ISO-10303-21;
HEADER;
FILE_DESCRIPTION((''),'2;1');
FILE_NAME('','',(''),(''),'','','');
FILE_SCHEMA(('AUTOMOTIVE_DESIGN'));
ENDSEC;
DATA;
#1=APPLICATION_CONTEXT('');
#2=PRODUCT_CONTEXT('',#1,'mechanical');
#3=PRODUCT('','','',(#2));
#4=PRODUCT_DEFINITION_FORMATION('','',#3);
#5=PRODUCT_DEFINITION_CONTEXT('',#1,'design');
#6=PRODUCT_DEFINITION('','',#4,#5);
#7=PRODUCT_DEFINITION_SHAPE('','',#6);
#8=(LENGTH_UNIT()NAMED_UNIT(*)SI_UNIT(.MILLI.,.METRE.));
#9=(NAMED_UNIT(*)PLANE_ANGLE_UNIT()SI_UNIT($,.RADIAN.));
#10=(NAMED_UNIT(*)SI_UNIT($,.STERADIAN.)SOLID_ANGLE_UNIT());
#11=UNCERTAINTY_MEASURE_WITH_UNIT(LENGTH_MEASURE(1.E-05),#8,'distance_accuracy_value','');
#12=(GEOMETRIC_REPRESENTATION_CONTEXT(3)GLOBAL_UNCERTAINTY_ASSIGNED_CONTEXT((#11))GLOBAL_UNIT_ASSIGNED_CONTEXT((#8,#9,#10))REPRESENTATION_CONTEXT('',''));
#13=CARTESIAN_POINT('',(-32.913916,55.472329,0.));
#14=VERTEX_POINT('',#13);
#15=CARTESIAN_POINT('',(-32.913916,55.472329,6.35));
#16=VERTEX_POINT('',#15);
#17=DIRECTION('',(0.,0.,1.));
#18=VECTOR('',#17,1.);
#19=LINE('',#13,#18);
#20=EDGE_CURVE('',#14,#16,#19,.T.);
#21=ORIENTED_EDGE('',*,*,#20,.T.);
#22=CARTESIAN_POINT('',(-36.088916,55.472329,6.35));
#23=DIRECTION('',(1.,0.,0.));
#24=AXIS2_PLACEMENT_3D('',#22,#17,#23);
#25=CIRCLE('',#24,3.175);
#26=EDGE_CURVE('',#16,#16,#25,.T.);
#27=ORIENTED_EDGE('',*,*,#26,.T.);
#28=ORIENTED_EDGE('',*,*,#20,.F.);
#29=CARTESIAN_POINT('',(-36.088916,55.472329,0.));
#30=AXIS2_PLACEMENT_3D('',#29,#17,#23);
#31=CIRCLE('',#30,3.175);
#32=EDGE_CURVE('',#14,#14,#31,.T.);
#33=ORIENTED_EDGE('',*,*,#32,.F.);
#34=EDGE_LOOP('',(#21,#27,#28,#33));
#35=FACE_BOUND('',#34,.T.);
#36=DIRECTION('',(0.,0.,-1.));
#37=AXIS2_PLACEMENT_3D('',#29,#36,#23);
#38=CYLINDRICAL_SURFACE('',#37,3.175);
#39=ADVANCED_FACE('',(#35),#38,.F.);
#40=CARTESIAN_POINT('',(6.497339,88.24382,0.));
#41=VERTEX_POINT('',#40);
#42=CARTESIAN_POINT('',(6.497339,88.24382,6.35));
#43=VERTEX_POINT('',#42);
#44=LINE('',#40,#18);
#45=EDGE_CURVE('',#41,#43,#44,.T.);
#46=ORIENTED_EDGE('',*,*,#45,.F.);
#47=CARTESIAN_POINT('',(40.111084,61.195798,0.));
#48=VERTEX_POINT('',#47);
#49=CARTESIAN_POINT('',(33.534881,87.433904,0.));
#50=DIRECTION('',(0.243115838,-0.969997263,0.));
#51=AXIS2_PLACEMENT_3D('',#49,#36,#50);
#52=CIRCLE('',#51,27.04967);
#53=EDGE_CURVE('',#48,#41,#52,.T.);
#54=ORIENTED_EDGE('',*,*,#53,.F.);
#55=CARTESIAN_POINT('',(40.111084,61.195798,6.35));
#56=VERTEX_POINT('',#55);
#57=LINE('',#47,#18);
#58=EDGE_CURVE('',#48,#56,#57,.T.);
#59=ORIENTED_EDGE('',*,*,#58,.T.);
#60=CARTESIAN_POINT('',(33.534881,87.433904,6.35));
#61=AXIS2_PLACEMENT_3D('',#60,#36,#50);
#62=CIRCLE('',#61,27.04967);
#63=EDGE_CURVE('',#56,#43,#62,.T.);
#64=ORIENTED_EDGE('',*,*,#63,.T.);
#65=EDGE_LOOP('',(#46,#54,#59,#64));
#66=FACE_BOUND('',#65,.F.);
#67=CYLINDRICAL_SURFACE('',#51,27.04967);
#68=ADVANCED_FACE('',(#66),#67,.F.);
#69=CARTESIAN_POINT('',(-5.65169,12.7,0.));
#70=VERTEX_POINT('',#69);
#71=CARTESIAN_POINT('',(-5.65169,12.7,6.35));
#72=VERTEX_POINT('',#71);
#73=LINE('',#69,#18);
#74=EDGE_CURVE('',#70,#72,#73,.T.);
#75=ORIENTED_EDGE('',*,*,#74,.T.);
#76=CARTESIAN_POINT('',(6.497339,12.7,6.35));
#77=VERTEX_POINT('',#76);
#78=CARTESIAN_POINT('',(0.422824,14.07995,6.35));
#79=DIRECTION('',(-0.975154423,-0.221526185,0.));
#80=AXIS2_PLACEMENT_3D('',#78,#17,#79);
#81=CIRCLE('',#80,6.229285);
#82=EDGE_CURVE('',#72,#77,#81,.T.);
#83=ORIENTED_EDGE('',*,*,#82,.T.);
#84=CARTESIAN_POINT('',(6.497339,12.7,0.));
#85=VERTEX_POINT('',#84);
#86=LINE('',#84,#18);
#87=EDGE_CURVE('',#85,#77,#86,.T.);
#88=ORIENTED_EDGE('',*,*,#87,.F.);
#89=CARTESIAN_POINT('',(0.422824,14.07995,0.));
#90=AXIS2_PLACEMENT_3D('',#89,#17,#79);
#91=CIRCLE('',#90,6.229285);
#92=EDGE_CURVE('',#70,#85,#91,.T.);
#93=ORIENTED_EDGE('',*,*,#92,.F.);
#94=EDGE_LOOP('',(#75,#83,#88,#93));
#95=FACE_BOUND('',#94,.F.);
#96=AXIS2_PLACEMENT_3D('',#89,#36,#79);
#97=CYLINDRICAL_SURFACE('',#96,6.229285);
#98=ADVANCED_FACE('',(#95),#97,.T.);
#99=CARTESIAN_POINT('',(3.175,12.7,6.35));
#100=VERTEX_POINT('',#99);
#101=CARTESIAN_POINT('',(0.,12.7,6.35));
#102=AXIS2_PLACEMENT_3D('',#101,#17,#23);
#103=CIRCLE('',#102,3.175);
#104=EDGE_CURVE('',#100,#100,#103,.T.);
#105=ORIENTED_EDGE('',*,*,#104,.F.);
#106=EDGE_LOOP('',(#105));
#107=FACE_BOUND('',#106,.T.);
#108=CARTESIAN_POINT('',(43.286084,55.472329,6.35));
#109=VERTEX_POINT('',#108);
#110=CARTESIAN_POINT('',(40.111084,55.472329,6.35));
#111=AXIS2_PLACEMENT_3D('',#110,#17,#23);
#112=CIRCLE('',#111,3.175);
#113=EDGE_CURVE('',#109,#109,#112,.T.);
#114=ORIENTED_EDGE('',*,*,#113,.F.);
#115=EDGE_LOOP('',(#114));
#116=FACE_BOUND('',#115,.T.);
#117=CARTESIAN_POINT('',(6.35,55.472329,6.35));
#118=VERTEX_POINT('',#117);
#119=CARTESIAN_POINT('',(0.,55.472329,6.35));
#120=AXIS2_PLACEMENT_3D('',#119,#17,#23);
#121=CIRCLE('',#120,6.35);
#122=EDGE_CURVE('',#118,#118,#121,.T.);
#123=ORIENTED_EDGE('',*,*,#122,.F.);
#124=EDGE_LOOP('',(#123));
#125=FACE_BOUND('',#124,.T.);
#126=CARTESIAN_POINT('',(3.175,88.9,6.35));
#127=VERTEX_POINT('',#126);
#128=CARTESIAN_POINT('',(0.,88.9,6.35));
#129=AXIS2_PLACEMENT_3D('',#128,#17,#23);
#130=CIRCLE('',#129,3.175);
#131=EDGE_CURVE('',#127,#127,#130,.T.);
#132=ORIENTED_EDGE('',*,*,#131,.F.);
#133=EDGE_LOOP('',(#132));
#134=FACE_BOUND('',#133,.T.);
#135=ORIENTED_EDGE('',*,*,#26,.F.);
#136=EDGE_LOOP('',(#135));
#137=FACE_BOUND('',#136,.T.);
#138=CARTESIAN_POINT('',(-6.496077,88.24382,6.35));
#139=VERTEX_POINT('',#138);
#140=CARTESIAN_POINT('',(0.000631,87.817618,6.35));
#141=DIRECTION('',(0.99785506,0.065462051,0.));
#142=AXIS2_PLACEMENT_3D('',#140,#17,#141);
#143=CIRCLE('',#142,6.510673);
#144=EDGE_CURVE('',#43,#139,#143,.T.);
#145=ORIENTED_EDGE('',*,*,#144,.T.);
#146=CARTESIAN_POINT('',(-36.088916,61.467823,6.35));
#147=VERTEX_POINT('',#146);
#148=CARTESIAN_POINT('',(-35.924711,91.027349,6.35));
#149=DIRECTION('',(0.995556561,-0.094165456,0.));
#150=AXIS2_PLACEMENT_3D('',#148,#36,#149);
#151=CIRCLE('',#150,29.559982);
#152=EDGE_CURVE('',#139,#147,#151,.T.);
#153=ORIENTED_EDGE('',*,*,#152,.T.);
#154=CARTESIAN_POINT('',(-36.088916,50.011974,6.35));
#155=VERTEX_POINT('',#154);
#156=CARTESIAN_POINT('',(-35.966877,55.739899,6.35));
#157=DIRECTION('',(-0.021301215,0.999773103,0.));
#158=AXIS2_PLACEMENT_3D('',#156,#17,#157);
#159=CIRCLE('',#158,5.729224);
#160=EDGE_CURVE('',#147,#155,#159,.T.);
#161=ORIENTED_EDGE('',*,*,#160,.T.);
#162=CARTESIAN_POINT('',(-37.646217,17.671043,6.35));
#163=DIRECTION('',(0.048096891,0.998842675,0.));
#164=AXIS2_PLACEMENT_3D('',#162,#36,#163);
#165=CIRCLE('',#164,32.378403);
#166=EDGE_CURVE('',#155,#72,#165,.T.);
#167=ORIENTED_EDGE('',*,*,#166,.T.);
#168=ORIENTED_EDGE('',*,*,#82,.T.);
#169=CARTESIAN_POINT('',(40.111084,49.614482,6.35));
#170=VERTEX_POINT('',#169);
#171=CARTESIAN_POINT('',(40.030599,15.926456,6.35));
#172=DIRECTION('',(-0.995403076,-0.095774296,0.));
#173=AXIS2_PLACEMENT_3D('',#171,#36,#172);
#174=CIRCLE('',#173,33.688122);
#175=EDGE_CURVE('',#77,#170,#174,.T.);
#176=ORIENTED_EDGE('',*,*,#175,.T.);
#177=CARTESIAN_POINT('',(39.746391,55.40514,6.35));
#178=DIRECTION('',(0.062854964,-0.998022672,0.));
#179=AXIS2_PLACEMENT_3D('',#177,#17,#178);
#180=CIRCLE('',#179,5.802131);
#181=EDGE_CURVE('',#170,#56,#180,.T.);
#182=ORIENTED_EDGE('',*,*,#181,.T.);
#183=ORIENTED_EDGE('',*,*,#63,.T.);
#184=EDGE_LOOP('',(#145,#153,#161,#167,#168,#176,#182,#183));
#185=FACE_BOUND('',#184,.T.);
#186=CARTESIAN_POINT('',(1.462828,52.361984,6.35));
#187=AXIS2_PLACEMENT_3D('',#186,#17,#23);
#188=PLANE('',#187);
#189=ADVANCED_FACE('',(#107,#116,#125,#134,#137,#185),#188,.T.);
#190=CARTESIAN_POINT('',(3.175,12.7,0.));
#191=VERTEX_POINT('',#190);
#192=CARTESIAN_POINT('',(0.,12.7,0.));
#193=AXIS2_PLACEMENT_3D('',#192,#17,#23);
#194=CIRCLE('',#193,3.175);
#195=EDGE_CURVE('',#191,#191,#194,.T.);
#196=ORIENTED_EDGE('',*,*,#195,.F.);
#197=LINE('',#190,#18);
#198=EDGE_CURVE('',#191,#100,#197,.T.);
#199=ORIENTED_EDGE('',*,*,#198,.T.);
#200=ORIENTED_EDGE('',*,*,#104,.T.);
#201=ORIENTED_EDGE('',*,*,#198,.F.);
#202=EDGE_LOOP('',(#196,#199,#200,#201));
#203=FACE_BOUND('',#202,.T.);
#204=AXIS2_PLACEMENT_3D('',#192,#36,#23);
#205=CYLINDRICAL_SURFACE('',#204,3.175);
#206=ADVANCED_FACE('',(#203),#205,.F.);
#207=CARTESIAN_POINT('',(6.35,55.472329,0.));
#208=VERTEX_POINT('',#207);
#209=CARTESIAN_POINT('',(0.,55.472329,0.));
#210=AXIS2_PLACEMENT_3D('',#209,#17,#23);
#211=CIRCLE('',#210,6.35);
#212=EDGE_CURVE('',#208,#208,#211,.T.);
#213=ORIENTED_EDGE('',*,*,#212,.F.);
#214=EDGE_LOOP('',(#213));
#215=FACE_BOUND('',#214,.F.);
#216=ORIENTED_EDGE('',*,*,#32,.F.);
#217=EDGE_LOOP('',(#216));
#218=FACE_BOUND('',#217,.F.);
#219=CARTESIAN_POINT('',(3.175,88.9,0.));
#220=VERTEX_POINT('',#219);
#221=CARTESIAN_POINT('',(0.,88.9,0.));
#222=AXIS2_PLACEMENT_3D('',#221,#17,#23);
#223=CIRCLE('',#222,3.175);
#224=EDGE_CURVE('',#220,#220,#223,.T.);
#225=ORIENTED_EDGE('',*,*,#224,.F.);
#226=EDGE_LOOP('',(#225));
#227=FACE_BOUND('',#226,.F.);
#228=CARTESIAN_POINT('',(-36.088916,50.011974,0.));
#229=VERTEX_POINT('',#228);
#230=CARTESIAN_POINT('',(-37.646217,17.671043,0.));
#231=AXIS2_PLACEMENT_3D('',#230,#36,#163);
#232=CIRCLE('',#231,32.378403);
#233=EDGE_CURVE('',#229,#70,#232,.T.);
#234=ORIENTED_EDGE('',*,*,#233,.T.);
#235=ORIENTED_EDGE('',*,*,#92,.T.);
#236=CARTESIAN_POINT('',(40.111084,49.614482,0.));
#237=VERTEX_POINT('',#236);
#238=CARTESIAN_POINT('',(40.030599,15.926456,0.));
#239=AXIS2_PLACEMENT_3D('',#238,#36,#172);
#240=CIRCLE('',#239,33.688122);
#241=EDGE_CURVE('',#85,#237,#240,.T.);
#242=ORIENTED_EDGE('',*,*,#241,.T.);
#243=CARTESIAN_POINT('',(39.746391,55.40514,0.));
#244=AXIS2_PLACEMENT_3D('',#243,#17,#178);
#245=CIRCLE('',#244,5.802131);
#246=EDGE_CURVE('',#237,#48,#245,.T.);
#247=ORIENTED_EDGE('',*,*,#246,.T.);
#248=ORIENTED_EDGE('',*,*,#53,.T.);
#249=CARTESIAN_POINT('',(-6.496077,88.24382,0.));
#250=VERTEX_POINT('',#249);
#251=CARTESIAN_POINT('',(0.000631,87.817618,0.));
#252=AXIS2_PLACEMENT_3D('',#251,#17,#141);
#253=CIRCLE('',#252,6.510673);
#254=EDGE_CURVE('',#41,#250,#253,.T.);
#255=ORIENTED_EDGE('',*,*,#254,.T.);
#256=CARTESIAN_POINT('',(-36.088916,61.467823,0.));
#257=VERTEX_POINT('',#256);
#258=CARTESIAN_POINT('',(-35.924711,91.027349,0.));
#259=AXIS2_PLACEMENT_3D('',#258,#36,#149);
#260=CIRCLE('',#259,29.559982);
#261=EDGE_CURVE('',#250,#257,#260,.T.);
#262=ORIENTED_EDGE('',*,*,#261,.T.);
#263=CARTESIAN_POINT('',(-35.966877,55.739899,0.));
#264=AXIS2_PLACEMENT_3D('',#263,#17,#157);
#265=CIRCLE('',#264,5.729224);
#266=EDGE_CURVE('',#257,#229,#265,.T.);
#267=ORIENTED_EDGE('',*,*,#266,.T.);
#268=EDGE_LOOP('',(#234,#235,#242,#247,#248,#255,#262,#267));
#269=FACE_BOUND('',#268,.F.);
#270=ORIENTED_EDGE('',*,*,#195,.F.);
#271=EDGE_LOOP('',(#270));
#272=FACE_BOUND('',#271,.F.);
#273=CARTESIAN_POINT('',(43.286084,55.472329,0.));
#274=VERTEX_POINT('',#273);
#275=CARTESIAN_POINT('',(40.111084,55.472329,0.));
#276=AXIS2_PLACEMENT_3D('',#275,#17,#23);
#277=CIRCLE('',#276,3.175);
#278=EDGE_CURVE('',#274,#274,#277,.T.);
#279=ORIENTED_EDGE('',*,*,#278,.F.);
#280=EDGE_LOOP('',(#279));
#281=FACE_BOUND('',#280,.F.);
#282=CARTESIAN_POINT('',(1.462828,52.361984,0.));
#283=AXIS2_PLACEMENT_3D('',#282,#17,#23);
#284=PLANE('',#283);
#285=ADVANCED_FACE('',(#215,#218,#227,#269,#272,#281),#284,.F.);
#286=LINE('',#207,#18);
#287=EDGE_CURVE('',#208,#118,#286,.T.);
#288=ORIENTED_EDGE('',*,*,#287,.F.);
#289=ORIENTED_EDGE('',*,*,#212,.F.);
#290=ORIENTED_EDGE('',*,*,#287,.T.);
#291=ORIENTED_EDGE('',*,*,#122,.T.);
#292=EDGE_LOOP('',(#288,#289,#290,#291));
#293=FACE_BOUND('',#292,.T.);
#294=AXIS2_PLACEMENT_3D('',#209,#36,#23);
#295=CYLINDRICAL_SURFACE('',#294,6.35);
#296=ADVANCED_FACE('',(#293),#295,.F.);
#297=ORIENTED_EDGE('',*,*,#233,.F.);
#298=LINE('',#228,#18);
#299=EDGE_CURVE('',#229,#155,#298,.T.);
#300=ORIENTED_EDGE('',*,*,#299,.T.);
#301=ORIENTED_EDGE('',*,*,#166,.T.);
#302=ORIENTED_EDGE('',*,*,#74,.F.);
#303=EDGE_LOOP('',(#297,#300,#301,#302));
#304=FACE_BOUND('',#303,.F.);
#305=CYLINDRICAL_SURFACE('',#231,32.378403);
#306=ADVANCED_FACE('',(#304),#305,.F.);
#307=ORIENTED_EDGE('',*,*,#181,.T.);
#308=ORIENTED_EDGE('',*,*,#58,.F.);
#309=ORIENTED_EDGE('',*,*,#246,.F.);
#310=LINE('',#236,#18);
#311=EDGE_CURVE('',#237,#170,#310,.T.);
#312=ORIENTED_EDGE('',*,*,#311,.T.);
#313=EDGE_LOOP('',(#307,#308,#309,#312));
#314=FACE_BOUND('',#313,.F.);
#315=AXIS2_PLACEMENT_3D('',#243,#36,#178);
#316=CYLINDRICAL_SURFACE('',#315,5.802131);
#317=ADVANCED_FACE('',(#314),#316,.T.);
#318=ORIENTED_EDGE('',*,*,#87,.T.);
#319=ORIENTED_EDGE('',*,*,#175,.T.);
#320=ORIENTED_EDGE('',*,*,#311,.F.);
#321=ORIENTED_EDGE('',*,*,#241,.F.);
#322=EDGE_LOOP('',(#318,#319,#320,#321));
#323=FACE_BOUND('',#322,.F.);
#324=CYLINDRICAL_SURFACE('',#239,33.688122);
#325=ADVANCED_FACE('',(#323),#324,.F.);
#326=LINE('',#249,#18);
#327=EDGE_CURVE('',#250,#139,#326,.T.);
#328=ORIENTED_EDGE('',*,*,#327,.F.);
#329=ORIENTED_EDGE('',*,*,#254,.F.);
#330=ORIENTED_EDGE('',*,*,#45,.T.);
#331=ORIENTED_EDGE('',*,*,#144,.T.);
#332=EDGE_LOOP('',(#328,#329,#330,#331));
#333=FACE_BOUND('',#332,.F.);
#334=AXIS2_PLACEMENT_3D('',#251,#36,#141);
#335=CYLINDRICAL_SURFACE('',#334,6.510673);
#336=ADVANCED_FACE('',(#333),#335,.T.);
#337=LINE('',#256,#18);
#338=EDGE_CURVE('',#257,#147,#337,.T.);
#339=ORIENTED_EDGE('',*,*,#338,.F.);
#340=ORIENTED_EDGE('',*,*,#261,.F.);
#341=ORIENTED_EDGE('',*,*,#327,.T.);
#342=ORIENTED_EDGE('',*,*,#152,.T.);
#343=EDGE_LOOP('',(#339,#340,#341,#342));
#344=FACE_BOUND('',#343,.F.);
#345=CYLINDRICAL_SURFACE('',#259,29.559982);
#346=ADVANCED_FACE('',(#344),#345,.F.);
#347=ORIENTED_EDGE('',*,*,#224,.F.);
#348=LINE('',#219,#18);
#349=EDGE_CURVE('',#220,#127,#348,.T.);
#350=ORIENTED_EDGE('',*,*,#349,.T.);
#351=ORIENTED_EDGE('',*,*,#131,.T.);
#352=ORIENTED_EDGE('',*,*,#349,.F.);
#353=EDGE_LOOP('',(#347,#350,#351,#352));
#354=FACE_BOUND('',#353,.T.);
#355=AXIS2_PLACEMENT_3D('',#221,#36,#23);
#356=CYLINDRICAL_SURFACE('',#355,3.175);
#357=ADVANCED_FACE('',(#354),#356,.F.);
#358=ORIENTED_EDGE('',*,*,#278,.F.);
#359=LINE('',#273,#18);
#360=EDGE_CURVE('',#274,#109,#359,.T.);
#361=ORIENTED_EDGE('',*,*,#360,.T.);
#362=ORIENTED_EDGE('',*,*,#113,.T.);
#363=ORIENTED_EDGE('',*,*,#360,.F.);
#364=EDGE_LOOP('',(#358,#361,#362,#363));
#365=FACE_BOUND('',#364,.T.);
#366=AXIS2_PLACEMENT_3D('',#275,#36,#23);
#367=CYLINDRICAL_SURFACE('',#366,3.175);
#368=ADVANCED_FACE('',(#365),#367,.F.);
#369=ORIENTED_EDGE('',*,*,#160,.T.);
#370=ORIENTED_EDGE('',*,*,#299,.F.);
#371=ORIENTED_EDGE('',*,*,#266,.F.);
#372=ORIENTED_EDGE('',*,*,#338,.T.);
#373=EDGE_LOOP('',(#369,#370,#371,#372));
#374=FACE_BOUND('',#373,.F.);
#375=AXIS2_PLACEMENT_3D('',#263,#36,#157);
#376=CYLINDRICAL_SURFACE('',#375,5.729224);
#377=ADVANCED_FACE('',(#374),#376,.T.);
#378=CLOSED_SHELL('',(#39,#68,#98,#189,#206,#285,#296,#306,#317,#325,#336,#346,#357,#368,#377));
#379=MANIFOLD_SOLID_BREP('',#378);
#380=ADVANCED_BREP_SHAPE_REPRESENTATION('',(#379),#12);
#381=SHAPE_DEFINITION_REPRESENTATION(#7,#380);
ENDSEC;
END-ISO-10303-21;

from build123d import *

# Parameters (mm, degrees)
F0_R     = 3.175
F0_R_2   = 6.35
F1_DEPTH = 6.35


with BuildPart() as f1:
    # F0 (on Top) → F1 (new body)
    with BuildSketch(Plane.XY):
        with BuildLine():
            ThreePointArc((-6.496077, 88.24382), (-16.091905, 69.108126), (-36.088916, 61.467823))
            ThreePointArc((-36.088916, 61.467823), (-41.696101, 55.739898), (-36.088916, 50.011974))
            ThreePointArc((-36.088916, 50.011974), (-12.556834, 38.137696), (-5.65169, 12.7))
            ThreePointArc((-5.65169, 12.7), (0.422825, 7.850665), (6.497339, 12.7))
            ThreePointArc((6.497339, 12.7), (15.12193, 38.607897), (40.111084, 49.614482))
            ThreePointArc((40.111084, 49.614482), (45.548522, 55.40514), (40.111084, 61.195798))
            ThreePointArc((40.111084, 61.195798), (16.577125, 66.359769), (6.497339, 88.24382))
            ThreePointArc((6.497339, 88.24382), (0.000631, 94.328291), (-6.496077, 88.24382))
        make_face()
        with Locations((0, 12.7)):
            Circle(F0_R, mode=Mode.SUBTRACT)
        with Locations((-36.088916, 55.472329)):
            Circle(F0_R, mode=Mode.SUBTRACT)
        with Locations((0, 55.472329)):
            Circle(F0_R_2, mode=Mode.SUBTRACT)
        with Locations((0, 88.9)):
            Circle(F0_R, mode=Mode.SUBTRACT)
        with Locations((40.111084, 55.472329)):
            Circle(F0_R, mode=Mode.SUBTRACT)
    extrude(amount=F1_DEPTH)


solid = f1.part
